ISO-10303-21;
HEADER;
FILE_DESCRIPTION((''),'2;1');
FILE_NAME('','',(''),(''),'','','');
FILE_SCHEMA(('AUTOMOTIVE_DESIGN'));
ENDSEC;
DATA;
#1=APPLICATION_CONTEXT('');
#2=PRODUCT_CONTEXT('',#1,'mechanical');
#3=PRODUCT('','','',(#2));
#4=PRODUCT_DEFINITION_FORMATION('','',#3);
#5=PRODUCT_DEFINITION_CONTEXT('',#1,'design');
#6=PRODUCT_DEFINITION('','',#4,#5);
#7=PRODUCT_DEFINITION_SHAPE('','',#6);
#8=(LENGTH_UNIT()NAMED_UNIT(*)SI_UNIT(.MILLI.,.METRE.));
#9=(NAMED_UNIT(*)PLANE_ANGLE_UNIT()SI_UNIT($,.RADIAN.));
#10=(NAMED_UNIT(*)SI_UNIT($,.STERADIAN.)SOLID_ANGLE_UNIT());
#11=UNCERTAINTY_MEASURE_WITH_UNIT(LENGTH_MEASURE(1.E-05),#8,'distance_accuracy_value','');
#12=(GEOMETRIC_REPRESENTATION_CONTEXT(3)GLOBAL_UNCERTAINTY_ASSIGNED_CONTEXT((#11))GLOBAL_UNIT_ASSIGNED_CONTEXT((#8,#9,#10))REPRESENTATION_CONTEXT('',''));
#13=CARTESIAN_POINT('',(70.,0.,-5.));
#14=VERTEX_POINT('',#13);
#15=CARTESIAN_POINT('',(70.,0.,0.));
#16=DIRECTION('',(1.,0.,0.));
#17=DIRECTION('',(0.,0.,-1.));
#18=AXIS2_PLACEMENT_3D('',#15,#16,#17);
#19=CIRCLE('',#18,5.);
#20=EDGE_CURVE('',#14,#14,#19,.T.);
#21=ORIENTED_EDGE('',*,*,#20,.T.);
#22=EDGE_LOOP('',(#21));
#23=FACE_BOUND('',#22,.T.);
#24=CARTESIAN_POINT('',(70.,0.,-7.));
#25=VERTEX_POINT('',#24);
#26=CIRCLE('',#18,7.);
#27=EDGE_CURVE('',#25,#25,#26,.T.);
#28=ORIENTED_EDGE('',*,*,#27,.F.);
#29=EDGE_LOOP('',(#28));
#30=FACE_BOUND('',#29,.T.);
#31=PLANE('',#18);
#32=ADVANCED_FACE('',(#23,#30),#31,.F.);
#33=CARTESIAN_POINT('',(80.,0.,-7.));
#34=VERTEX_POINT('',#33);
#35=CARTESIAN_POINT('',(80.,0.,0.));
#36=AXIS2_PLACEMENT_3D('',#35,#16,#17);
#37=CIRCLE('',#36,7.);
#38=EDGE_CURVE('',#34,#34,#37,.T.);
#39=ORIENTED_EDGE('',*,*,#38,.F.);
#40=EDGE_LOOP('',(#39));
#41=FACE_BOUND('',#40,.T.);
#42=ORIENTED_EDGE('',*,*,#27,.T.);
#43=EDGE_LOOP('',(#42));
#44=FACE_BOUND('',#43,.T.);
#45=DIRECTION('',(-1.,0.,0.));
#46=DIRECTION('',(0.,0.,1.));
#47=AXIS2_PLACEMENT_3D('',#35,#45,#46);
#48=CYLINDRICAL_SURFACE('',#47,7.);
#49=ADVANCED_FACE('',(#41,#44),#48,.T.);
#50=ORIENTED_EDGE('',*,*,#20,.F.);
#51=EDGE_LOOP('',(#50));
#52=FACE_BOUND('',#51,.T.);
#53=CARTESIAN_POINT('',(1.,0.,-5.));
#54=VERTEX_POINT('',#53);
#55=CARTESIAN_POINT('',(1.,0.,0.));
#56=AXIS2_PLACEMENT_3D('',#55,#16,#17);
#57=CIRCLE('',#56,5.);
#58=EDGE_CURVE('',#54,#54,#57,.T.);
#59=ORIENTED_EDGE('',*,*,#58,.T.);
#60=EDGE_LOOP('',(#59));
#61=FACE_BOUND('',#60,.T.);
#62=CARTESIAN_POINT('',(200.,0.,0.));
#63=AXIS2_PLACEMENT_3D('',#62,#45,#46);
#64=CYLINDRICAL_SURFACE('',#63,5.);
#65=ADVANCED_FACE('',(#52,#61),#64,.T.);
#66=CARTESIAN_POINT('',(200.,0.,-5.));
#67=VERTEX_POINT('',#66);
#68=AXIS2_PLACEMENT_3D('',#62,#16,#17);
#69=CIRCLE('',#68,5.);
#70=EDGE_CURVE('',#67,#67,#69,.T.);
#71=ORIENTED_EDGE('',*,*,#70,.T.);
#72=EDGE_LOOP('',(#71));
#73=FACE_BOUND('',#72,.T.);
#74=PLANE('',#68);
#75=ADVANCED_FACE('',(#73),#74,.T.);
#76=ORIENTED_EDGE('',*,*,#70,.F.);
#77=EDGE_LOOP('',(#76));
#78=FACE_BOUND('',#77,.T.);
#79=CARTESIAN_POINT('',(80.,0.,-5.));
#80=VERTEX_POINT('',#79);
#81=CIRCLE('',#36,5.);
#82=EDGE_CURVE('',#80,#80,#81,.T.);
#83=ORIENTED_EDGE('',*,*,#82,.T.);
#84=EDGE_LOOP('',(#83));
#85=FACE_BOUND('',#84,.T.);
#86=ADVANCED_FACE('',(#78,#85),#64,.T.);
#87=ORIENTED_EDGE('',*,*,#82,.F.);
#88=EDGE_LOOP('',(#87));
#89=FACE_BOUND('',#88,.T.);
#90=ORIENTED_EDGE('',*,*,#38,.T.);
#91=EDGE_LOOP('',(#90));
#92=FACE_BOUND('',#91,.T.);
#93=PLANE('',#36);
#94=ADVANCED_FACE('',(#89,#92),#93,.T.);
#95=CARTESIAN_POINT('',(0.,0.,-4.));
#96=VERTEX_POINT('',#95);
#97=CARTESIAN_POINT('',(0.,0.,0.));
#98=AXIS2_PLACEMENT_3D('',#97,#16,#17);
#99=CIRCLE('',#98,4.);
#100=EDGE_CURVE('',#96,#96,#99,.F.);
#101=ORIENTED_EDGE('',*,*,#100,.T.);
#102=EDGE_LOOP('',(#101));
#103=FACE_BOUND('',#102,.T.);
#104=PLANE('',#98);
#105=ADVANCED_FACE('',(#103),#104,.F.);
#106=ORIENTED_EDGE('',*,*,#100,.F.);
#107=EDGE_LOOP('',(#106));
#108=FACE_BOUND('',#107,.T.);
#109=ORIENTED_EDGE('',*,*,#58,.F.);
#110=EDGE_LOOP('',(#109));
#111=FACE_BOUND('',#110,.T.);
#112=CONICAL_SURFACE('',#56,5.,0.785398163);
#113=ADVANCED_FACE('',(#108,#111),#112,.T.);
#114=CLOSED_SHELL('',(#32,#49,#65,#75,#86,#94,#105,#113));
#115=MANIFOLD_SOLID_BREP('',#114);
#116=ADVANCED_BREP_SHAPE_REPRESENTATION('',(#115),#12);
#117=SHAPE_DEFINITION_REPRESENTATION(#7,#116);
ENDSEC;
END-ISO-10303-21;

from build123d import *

# Parameters (mm, degrees)
SKETCH1_R           = 5
BOSS_EXTRUDE1_DEPTH = 200
CHAMFER1_SIZE       = 1
BOSS_EXTRUDE2_START = 70
SKETCH2_R           = 7
BOSS_EXTRUDE2_DEPTH = 10


with BuildPart() as part:
    # Sketch1 → Boss-Extrude1 (new body)
    with BuildSketch(Plane(origin=(0, 0, 0), x_dir=(0, 0, -1), z_dir=(1, 0, 0))):
        Circle(SKETCH1_R)
    extrude(amount=BOSS_EXTRUDE1_DEPTH)

    # Chamfer1
    chamfer1_edges = [part.edges().sort_by_distance(p)[0] for p in [
        (0, 0, 5),
    ]]
    chamfer(chamfer1_edges, length=CHAMFER1_SIZE)

    # Sketch2 → Boss-Extrude2 (add)
    with BuildSketch(Plane(origin=(0, 0, 0), x_dir=(0, 0, -1), z_dir=(1, 0, 0)).offset(BOSS_EXTRUDE2_START)):
        Circle(SKETCH2_R)
    extrude(amount=BOSS_EXTRUDE2_DEPTH)


solid = part.part
